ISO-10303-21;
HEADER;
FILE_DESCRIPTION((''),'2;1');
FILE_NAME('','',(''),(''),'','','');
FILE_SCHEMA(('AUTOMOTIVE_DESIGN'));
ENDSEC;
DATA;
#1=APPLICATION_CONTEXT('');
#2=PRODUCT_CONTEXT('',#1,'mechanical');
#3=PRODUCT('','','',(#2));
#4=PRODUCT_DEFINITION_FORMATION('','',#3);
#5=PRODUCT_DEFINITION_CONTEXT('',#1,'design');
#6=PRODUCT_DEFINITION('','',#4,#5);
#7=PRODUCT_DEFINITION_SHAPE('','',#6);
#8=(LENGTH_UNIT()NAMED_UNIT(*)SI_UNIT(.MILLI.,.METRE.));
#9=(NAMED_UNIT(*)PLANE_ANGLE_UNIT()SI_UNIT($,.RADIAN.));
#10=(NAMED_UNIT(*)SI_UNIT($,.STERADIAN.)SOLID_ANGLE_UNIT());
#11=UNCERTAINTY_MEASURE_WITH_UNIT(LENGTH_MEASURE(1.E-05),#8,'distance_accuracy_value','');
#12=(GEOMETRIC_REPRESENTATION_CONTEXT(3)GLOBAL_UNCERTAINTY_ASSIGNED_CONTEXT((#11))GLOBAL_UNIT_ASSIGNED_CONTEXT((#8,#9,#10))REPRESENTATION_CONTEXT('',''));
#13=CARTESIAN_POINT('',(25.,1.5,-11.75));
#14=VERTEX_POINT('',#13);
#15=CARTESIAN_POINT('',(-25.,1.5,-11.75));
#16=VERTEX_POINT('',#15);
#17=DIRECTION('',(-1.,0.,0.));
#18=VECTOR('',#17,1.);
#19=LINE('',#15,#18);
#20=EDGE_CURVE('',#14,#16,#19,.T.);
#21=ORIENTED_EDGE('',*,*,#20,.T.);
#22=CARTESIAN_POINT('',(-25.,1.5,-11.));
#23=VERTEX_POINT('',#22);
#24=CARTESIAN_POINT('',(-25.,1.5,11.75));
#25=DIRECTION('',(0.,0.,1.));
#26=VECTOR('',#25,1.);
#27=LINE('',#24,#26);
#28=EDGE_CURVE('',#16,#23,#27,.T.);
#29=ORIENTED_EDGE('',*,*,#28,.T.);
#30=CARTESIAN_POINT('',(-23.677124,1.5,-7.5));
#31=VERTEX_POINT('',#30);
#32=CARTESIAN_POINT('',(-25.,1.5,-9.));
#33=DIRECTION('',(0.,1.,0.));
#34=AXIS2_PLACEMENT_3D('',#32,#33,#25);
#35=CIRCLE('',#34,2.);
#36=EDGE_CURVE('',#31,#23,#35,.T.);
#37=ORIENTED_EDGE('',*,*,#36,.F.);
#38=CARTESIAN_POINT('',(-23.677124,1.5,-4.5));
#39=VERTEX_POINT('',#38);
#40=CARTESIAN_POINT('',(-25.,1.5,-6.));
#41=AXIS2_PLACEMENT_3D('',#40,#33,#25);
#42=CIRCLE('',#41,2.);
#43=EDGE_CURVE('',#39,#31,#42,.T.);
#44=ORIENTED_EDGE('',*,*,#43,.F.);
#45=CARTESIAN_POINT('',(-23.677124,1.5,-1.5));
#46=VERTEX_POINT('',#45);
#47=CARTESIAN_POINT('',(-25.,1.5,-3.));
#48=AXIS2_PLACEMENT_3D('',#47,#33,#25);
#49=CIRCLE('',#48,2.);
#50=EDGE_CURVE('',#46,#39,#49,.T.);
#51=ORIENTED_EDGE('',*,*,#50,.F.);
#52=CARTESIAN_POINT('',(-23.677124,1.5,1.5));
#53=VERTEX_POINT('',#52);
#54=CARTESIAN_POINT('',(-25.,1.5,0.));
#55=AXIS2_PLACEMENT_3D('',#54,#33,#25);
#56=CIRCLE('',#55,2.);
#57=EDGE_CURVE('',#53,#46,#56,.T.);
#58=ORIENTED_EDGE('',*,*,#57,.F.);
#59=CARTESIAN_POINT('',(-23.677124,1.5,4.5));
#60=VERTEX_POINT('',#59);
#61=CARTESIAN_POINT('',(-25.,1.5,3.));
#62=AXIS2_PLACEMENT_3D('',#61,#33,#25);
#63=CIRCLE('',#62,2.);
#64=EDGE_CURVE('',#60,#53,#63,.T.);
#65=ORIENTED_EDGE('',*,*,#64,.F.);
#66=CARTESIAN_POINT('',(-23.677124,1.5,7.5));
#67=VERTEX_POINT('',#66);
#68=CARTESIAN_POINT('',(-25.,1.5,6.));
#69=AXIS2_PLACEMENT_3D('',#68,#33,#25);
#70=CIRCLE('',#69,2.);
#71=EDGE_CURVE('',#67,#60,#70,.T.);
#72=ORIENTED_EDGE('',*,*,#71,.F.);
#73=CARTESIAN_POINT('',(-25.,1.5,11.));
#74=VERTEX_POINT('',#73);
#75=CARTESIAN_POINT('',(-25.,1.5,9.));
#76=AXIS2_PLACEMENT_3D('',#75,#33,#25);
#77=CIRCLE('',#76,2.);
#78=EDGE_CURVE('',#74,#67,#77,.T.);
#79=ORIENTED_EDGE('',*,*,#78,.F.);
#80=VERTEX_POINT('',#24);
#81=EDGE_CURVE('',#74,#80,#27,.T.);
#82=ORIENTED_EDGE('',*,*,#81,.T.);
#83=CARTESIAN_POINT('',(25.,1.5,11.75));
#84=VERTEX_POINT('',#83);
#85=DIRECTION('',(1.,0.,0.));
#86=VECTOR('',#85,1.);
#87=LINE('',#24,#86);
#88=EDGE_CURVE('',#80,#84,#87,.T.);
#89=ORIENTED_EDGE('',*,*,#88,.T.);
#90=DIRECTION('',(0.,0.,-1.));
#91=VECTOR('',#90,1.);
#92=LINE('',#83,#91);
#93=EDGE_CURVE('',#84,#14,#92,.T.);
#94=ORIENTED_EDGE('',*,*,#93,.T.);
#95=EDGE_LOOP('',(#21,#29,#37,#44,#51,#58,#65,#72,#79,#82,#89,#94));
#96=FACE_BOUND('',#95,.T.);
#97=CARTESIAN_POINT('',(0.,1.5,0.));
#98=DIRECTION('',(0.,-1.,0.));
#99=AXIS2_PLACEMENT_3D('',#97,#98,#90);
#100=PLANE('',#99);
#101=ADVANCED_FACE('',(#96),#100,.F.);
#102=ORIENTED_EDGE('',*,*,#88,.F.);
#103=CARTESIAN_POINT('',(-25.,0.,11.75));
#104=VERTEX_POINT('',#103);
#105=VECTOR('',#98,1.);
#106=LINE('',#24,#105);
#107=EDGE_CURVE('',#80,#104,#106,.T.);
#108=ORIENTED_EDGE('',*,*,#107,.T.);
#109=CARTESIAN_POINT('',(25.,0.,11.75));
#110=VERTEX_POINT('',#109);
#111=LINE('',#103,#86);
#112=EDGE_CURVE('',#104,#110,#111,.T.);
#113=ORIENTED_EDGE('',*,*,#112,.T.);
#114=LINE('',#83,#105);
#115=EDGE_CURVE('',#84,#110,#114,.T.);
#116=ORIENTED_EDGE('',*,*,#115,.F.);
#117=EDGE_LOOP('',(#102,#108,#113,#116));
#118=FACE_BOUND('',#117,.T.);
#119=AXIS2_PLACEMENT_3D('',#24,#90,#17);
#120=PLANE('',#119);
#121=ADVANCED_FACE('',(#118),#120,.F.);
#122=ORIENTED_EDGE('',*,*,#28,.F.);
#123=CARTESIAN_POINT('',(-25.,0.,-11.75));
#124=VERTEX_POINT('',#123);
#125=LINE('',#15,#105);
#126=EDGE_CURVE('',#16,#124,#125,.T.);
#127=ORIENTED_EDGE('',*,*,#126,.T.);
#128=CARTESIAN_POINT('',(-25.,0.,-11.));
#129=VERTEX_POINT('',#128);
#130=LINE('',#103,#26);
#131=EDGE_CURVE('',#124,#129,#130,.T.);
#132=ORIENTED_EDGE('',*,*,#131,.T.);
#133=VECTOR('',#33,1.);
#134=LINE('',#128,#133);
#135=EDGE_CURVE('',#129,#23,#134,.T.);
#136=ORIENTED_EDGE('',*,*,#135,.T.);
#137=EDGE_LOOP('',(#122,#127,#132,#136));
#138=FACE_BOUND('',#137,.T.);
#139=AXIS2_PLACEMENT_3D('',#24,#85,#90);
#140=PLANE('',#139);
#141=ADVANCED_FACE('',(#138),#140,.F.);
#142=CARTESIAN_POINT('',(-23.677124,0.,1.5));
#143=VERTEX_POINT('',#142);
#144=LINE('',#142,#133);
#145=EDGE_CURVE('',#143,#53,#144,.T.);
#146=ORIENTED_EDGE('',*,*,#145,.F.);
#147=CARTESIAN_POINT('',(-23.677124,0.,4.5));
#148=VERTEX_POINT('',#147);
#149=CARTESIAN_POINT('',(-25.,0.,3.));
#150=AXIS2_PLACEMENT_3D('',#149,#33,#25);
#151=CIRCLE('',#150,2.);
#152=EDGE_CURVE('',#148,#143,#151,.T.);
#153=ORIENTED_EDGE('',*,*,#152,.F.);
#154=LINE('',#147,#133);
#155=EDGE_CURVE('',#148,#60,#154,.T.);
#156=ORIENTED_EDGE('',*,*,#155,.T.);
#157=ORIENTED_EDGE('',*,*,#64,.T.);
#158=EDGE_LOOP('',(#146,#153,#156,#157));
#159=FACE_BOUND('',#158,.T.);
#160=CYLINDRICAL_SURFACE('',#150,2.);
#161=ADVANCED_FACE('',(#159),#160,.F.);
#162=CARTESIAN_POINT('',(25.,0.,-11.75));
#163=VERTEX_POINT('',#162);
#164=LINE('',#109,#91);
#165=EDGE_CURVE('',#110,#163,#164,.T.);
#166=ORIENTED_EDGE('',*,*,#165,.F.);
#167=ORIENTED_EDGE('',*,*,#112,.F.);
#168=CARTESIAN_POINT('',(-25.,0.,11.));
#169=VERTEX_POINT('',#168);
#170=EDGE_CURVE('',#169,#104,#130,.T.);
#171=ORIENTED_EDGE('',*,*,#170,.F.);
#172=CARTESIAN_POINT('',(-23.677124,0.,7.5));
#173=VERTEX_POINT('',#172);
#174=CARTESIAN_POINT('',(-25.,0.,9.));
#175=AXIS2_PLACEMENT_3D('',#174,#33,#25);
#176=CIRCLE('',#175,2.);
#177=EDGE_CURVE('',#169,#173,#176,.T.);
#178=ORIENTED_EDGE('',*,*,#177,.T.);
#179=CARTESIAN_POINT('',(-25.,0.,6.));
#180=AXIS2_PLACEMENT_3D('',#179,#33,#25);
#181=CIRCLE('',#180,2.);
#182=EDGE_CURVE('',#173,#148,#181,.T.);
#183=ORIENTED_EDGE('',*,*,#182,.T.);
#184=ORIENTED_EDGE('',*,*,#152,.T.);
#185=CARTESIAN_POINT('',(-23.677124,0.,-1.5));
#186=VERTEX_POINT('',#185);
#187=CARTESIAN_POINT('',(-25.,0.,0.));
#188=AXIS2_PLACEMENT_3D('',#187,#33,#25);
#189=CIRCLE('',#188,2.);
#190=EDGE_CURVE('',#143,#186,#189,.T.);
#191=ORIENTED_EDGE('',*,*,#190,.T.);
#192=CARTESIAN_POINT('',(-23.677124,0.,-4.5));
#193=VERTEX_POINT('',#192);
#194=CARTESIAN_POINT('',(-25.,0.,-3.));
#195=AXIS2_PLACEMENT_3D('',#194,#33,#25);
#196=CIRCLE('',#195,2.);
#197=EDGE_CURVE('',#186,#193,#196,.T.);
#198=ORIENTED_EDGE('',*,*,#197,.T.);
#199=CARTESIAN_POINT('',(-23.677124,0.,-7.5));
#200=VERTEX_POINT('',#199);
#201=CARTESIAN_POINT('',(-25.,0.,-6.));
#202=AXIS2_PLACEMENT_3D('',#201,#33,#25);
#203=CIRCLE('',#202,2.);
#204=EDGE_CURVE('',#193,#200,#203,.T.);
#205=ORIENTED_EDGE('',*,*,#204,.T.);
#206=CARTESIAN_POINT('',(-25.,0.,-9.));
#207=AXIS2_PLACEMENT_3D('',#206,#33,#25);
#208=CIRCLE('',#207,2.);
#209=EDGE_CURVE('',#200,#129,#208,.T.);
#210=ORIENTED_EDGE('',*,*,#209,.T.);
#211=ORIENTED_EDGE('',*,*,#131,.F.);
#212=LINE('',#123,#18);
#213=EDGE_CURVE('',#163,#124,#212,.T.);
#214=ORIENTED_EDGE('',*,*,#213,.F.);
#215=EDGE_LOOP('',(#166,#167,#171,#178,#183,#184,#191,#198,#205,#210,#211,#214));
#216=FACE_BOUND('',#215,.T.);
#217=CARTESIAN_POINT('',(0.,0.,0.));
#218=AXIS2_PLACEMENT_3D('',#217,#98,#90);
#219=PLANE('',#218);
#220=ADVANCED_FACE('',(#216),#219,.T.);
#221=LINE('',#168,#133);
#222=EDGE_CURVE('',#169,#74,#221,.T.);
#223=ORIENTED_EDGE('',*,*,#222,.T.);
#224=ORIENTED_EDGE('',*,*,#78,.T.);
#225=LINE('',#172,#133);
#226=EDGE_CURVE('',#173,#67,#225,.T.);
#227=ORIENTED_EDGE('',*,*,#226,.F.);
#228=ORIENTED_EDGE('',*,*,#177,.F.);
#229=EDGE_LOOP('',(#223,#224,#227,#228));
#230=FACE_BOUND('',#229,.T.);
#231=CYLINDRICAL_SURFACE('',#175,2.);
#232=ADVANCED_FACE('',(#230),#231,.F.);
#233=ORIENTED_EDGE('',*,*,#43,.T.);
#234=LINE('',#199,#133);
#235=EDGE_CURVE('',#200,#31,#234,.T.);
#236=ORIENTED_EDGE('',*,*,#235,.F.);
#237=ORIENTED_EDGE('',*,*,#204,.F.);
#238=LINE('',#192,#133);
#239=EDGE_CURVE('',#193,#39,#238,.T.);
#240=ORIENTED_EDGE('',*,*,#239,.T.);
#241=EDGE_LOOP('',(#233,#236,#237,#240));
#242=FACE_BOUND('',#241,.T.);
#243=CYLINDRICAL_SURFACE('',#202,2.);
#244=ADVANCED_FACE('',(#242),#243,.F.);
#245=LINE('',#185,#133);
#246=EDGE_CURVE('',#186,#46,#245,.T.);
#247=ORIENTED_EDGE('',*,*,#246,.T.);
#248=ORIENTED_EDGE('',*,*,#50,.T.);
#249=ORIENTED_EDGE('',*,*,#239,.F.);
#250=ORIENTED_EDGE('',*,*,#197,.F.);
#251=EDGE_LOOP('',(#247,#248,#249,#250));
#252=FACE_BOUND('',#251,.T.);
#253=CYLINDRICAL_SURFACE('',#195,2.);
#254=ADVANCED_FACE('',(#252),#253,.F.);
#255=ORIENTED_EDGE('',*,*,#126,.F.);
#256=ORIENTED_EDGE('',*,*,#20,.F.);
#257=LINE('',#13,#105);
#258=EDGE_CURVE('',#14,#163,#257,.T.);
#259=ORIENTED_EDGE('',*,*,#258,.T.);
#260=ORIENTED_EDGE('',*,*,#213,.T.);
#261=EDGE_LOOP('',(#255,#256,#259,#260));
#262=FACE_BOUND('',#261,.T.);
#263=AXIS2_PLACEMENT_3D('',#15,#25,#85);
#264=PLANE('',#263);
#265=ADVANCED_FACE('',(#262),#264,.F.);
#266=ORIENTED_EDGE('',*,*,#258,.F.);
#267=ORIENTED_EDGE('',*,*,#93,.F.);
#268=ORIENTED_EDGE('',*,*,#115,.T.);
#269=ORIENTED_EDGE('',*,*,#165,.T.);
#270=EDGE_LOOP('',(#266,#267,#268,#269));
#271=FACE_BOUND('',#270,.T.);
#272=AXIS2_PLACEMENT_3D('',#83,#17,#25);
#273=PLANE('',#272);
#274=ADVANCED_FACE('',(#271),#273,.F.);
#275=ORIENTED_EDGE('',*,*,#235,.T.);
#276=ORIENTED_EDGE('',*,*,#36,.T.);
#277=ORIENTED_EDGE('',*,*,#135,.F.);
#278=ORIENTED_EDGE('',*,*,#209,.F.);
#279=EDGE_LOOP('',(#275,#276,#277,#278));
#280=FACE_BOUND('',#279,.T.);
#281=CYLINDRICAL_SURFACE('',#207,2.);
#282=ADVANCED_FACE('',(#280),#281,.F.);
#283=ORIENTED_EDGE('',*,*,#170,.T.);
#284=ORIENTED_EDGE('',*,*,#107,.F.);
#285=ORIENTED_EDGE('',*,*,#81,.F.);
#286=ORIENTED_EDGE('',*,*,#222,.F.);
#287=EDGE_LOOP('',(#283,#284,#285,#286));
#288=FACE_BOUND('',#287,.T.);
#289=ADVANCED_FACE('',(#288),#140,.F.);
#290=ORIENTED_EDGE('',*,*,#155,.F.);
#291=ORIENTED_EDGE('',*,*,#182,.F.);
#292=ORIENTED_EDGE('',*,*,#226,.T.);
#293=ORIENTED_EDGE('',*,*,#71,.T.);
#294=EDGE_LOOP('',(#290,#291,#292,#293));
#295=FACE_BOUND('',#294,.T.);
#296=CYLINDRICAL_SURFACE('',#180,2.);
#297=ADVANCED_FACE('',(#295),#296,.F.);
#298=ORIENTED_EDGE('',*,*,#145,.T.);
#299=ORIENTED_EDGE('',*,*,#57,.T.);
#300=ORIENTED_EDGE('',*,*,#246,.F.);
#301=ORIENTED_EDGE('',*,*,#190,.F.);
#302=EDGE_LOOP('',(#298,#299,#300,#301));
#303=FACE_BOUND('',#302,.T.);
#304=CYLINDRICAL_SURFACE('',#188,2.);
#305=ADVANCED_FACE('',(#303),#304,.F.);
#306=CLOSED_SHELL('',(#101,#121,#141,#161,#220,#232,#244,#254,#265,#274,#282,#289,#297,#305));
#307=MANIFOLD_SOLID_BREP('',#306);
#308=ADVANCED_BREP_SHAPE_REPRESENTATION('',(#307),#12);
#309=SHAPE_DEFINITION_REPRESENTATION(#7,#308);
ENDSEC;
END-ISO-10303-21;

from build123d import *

# Parameters (mm, degrees)
SKETCH_1_W          = 50
SKETCH_1_H          = 23.5
EXTRUDE_1_DEPTH     = 1.5
CUT_EXTRUDE_2_DEPTH = 28.664282026


with BuildPart() as part:
    # Эскиз1 → Бобышка-Вытянуть1 (new body)
    with BuildSketch(Plane(origin=(0, 0, 0), x_dir=(1, 0, 0), z_dir=(0, 1, 0))):
        Rectangle(SKETCH_1_W, SKETCH_1_H)
    extrude(amount=EXTRUDE_1_DEPTH)

    # Эскиз2 → Вырез-Вытянуть2 (cut, through all)
    with BuildSketch(Plane(origin=(0, 1.5, 0), x_dir=(1, 0, 0), z_dir=(0, 1, 0))):
        with BuildLine():
            ThreePointArc((-25, 11), (-26.870828693, 9.707106781), (-26.322875656, 7.5))
            ThreePointArc((-26.322875656, 7.5), (-25.707106781, 7.870828693), (-25, 8))
            Line((-25, 8), (-25, 11))
        make_face()
        with BuildLine():
            ThreePointArc((-25, 8), (-25.707106781, 7.870828693), (-26.322875656, 7.5))
            ThreePointArc((-26.322875656, 7.5), (-25.707106781, 7.129171307), (-25, 7))
            Line((-25, 7), (-25, 8))
        make_face()
        with BuildLine():
            Line((-25, 8), (-25, 7))
            ThreePointArc((-25, 7), (-24.292893219, 7.129171307), (-23.677124344, 7.5))
            ThreePointArc((-23.677124344, 7.5), (-24.292893219, 7.870828693), (-25, 8))
        make_face()
        with BuildLine():
            ThreePointArc((-25, 8), (-24.292893219, 7.870828693), (-23.677124344, 7.5))
            ThreePointArc((-23.677124344, 7.5), (-23.177124344, 8.177124344), (-23, 9))
            ThreePointArc((-23, 9), (-23.585786438, 10.414213562), (-25, 11))
            Line((-25, 11), (-25, 8))
        make_face()
        with BuildLine():
            ThreePointArc((-25, 5), (-24.292893219, 4.870828693), (-23.677124344, 4.5))
            ThreePointArc((-23.677124344, 4.5), (-23.177124344, 5.177124344), (-23, 6))
            ThreePointArc((-23, 6), (-23.177124344, 6.822875656), (-23.677124344, 7.5))
            ThreePointArc((-23.677124344, 7.5), (-24.292893219, 7.129171307), (-25, 7))
            Line((-25, 7), (-25, 5))
        make_face()
        with BuildLine():
            ThreePointArc((-26.322875656, 7.5), (-27, 6), (-26.322875656, 4.5))
            ThreePointArc((-26.322875656, 4.5), (-25.707106781, 4.870828693), (-25, 5))
            Line((-25, 5), (-25, 7))
            ThreePointArc((-25, 7), (-25.707106781, 7.129171307), (-26.322875656, 7.5))
        make_face()
        with BuildLine():
            Line((-25, 5), (-25, 4))
            ThreePointArc((-25, 4), (-24.292893219, 4.129171307), (-23.677124344, 4.5))
            ThreePointArc((-23.677124344, 4.5), (-24.292893219, 4.870828693), (-25, 5))
        make_face()
        with BuildLine():
            ThreePointArc((-26.322875656, 4.5), (-25.707106781, 4.129171307), (-25, 4))
            Line((-25, 4), (-25, 5))
            ThreePointArc((-25, 5), (-25.707106781, 4.870828693), (-26.322875656, 4.5))
        make_face()
        with BuildLine():
            ThreePointArc((-25, 2), (-24.292893219, 1.870828693), (-23.677124344, 1.5))
            ThreePointArc((-23.677124344, 1.5), (-23.177124344, 2.177124344), (-23, 3))
            ThreePointArc((-23, 3), (-23.177124344, 3.822875656), (-23.677124344, 4.5))
            ThreePointArc((-23.677124344, 4.5), (-24.292893219, 4.129171307), (-25, 4))
            Line((-25, 4), (-25, 2))
        make_face()
        with BuildLine():
            ThreePointArc((-26.322875656, 1.5), (-25.707106781, 1.870828693), (-25, 2))
            Line((-25, 2), (-25, 4))
            ThreePointArc((-25, 4), (-25.707106781, 4.129171307), (-26.322875656, 4.5))
            ThreePointArc((-26.322875656, 4.5), (-27, 3), (-26.322875656, 1.5))
        make_face()
        with BuildLine():
            ThreePointArc((-25, 1), (-24.292893219, 1.129171307), (-23.677124344, 1.5))
            ThreePointArc((-23.677124344, 1.5), (-24.292893219, 1.870828693), (-25, 2))
            Line((-25, 2), (-25, 1))
        make_face()
        with BuildLine():
            Line((-25, 1), (-25, 2))
            ThreePointArc((-25, 2), (-25.707106781, 1.870828693), (-26.322875656, 1.5))
            ThreePointArc((-26.322875656, 1.5), (-25.707106781, 1.129171307), (-25, 1))
        make_face()
        with BuildLine():
            ThreePointArc((-23.677124344, -1.5), (-23.177124344, -0.822875656), (-23, 0))
            ThreePointArc((-23, 0), (-23.177124344, 0.822875656), (-23.677124344, 1.5))
            ThreePointArc((-23.677124344, 1.5), (-24.292893219, 1.129171307), (-25, 1))
            Line((-25, 1), (-25, -1))
            ThreePointArc((-25, -1), (-24.292893219, -1.129171307), (-23.677124344, -1.5))
        make_face()
        with BuildLine():
            Line((-25, -1), (-25, 1))
            ThreePointArc((-25, 1), (-25.707106781, 1.129171307), (-26.322875656, 1.5))
            ThreePointArc((-26.322875656, 1.5), (-27, 0), (-26.322875656, -1.5))
            ThreePointArc((-26.322875656, -1.5), (-25.707106781, -1.129171307), (-25, -1))
        make_face()
        with BuildLine():
            ThreePointArc((-25, -2), (-24.292893219, -1.870828693), (-23.677124344, -1.5))
            ThreePointArc((-23.677124344, -1.5), (-24.292893219, -1.129171307), (-25, -1))
            Line((-25, -1), (-25, -2))
        make_face()
        with BuildLine():
            ThreePointArc((-26.322875656, -1.5), (-25.707106781, -1.870828693), (-25, -2))
            Line((-25, -2), (-25, -1))
            ThreePointArc((-25, -1), (-25.707106781, -1.129171307), (-26.322875656, -1.5))
        make_face()
        with BuildLine():
            ThreePointArc((-23, -3), (-23.177124344, -2.177124344), (-23.677124344, -1.5))
            ThreePointArc((-23.677124344, -1.5), (-24.292893219, -1.870828693), (-25, -2))
            Line((-25, -2), (-25, -4))
            ThreePointArc((-25, -4), (-24.292893219, -4.129171307), (-23.677124344, -4.5))
            ThreePointArc((-23.677124344, -4.5), (-23.177124344, -3.822875656), (-23, -3))
        make_face()
        with BuildLine():
            Line((-25, -4), (-25, -2))
            ThreePointArc((-25, -2), (-25.707106781, -1.870828693), (-26.322875656, -1.5))
            ThreePointArc((-26.322875656, -1.5), (-27, -3), (-26.322875656, -4.5))
            ThreePointArc((-26.322875656, -4.5), (-25.707106781, -4.129171307), (-25, -4))
        make_face()
        with BuildLine():
            Line((-25, -5), (-25, -4))
            ThreePointArc((-25, -4), (-25.707106781, -4.129171307), (-26.322875656, -4.5))
            ThreePointArc((-26.322875656, -4.5), (-25.707106781, -4.870828693), (-25, -5))
        make_face()
        with BuildLine():
            ThreePointArc((-23.677124344, -4.5), (-24.292893219, -4.129171307), (-25, -4))
            Line((-25, -4), (-25, -5))
            ThreePointArc((-25, -5), (-24.292893219, -4.870828693), (-23.677124344, -4.5))
        make_face()
        with BuildLine():
            ThreePointArc((-23, -6), (-23.177124344, -5.177124344), (-23.677124344, -4.5))
            ThreePointArc((-23.677124344, -4.5), (-24.292893219, -4.870828693), (-25, -5))
            Line((-25, -5), (-25, -7))
            ThreePointArc((-25, -7), (-24.292893219, -7.129171307), (-23.677124344, -7.5))
            ThreePointArc((-23.677124344, -7.5), (-23.177124344, -6.822875656), (-23, -6))
        make_face()
        with BuildLine():
            ThreePointArc((-25, -5), (-25.707106781, -4.870828693), (-26.322875656, -4.5))
            ThreePointArc((-26.322875656, -4.5), (-27, -6), (-26.322875656, -7.5))
            ThreePointArc((-26.322875656, -7.5), (-25.707106781, -7.129171307), (-25, -7))
            Line((-25, -7), (-25, -5))
        make_face()
        with BuildLine():
            ThreePointArc((-25, -7), (-25.707106781, -7.129171307), (-26.322875656, -7.5))
            ThreePointArc((-26.322875656, -7.5), (-25.707106781, -7.870828693), (-25, -8))
            Line((-25, -8), (-25, -7))
        make_face()
        with BuildLine():
            ThreePointArc((-25, -8), (-25.707106781, -7.870828693), (-26.322875656, -7.5))
            ThreePointArc((-26.322875656, -7.5), (-26.870828693, -9.707106781), (-25, -11))
            Line((-25, -11), (-25, -8))
        make_face()
        with BuildLine():
            ThreePointArc((-23.677124344, -7.5), (-24.292893219, -7.129171307), (-25, -7))
            Line((-25, -7), (-25, -8))
            ThreePointArc((-25, -8), (-24.292893219, -7.870828693), (-23.677124344, -7.5))
        make_face()
        with BuildLine():
            ThreePointArc((-23, -9), (-23.177124344, -8.177124344), (-23.677124344, -7.5))
            ThreePointArc((-23.677124344, -7.5), (-24.292893219, -7.870828693), (-25, -8))
            Line((-25, -8), (-25, -11))
            ThreePointArc((-25, -11), (-23.585786438, -10.414213562), (-23, -9))
        make_face()
    extrude(amount=-CUT_EXTRUDE_2_DEPTH, mode=Mode.SUBTRACT)


solid = part.part
